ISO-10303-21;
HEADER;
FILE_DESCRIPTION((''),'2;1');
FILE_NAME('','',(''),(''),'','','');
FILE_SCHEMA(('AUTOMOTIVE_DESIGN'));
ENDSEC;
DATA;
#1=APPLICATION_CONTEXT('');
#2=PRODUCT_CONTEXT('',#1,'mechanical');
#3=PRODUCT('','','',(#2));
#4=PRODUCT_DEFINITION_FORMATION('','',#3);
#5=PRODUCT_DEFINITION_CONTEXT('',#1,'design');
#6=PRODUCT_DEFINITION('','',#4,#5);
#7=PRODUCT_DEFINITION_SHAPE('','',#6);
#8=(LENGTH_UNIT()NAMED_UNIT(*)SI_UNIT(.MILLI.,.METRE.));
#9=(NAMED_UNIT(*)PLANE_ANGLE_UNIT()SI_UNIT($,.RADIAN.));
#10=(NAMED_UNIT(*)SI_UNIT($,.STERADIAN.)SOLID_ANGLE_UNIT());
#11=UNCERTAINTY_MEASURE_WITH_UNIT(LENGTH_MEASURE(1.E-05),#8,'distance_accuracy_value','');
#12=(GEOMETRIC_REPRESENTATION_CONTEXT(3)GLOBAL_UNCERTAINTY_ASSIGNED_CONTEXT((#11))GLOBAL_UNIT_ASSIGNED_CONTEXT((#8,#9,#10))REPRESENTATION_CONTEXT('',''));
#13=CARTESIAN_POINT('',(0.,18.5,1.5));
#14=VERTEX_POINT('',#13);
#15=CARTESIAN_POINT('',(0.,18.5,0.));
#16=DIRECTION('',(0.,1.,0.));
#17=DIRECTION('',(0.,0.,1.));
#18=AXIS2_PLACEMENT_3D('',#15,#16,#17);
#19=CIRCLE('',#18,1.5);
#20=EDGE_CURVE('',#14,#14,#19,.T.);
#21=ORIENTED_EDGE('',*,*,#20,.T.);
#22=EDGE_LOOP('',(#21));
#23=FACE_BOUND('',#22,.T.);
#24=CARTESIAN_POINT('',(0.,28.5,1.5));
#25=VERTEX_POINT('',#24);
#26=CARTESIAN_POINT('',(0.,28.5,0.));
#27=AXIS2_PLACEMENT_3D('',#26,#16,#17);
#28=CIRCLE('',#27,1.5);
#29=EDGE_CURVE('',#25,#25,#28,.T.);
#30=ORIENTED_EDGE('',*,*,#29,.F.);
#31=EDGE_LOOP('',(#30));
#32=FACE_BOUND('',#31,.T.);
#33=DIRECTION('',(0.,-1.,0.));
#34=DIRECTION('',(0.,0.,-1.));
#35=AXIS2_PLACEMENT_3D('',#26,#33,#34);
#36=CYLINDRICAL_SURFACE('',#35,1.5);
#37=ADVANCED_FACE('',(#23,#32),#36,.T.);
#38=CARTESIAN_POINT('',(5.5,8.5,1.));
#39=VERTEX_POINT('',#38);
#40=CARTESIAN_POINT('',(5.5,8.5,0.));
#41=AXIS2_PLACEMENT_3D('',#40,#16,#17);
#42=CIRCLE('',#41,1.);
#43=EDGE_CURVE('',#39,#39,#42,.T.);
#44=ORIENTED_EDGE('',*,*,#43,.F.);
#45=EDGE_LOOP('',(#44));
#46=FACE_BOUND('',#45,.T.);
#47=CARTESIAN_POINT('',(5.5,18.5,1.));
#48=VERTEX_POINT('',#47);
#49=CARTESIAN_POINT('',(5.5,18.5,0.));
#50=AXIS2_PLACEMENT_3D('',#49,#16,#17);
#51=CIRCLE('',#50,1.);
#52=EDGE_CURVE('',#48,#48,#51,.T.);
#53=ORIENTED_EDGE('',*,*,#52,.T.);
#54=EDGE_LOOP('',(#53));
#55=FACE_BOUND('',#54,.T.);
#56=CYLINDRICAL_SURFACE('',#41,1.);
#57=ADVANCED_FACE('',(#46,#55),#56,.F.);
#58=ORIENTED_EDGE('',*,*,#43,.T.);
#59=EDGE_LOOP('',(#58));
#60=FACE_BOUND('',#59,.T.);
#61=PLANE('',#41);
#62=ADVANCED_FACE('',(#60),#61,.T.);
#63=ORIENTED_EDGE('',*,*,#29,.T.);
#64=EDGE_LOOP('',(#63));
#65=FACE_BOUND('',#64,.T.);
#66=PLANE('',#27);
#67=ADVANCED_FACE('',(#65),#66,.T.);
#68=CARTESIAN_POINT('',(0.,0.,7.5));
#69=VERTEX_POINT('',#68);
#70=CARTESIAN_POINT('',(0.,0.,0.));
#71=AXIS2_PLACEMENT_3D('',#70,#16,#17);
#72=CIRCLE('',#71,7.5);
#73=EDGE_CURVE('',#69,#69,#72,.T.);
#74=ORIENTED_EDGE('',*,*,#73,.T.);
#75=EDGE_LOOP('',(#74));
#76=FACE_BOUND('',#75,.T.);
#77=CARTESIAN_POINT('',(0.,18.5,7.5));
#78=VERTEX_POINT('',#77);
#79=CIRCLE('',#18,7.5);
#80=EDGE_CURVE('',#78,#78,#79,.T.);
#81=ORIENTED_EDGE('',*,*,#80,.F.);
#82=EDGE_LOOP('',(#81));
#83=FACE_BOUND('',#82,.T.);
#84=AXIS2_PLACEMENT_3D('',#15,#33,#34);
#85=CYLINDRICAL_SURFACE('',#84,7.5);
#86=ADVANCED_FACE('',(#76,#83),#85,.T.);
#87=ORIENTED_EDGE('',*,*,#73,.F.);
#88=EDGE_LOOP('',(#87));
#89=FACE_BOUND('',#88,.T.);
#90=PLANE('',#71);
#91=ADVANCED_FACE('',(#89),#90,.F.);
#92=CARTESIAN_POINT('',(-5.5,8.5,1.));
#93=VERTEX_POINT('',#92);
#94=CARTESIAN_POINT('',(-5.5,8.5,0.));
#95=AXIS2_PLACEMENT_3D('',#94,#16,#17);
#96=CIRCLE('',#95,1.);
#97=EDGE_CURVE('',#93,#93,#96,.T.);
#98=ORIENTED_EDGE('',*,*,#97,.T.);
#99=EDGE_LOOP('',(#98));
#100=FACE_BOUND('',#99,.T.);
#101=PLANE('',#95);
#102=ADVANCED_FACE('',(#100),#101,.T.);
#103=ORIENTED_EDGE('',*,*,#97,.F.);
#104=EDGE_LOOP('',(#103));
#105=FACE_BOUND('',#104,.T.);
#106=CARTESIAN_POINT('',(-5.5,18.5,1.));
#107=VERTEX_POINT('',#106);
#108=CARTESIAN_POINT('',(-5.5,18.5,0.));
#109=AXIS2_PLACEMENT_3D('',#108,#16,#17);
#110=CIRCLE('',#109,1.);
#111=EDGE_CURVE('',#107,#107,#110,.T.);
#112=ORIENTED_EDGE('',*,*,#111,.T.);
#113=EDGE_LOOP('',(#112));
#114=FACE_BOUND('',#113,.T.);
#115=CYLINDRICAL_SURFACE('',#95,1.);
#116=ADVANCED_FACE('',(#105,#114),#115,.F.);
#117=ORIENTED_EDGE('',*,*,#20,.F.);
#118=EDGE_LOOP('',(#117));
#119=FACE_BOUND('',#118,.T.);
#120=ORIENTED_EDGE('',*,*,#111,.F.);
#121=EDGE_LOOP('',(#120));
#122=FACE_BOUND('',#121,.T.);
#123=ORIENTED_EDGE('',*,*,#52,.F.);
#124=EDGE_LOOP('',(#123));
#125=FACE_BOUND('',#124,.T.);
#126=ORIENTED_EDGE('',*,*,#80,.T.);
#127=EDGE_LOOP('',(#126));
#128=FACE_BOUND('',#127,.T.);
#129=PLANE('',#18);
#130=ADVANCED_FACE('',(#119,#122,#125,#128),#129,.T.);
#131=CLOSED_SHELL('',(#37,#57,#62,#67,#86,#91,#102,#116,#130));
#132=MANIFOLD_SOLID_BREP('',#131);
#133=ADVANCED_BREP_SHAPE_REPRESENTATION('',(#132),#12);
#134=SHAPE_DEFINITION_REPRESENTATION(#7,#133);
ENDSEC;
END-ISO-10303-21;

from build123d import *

# Parameters (mm, degrees)
SKETCH_1_R          = 7.5
EXTRUDE_1_DEPTH     = 18.5
SKETCH_2_R          = 1.5
EXTRUDE_2_DEPTH     = 10
SKETCH_3_R          = 1
CUT_EXTRUDE_1_DEPTH = 10


with BuildPart() as part:
    # 草图1 → 凸台-拉伸1 (new body)
    with BuildSketch(Plane(origin=(0, 0, 0), x_dir=(1, 0, 0), z_dir=(0, 1, 0))):
        with Locations(Location((0, 0, 0), (0, 0, 270))):
            Circle(SKETCH_1_R)
    extrude(amount=EXTRUDE_1_DEPTH)

    # 草图2 → 凸台-拉伸2 (add)
    with BuildSketch(Plane(origin=(0, 18.5, 0), x_dir=(1, 0, 0), z_dir=(0, 1, 0))):
        with Locations(Location((0, 0, 0), (0, 0, 270))):
            Circle(SKETCH_2_R)
    extrude(amount=EXTRUDE_2_DEPTH)

    # 草图3 → 切除-拉伸1 (cut)
    with BuildSketch(Plane(origin=(0, 18.5, 0), x_dir=(1, 0, 0), z_dir=(0, 1, 0))):
        with Locations(Location((-5.5, 0, 0), (0, 0, 270))):
            Circle(SKETCH_3_R)
        with Locations(Location((5.5, 0, 0), (0, 0, 270))):
            Circle(SKETCH_3_R)
    extrude(amount=-CUT_EXTRUDE_1_DEPTH, mode=Mode.SUBTRACT)


solid = part.part
